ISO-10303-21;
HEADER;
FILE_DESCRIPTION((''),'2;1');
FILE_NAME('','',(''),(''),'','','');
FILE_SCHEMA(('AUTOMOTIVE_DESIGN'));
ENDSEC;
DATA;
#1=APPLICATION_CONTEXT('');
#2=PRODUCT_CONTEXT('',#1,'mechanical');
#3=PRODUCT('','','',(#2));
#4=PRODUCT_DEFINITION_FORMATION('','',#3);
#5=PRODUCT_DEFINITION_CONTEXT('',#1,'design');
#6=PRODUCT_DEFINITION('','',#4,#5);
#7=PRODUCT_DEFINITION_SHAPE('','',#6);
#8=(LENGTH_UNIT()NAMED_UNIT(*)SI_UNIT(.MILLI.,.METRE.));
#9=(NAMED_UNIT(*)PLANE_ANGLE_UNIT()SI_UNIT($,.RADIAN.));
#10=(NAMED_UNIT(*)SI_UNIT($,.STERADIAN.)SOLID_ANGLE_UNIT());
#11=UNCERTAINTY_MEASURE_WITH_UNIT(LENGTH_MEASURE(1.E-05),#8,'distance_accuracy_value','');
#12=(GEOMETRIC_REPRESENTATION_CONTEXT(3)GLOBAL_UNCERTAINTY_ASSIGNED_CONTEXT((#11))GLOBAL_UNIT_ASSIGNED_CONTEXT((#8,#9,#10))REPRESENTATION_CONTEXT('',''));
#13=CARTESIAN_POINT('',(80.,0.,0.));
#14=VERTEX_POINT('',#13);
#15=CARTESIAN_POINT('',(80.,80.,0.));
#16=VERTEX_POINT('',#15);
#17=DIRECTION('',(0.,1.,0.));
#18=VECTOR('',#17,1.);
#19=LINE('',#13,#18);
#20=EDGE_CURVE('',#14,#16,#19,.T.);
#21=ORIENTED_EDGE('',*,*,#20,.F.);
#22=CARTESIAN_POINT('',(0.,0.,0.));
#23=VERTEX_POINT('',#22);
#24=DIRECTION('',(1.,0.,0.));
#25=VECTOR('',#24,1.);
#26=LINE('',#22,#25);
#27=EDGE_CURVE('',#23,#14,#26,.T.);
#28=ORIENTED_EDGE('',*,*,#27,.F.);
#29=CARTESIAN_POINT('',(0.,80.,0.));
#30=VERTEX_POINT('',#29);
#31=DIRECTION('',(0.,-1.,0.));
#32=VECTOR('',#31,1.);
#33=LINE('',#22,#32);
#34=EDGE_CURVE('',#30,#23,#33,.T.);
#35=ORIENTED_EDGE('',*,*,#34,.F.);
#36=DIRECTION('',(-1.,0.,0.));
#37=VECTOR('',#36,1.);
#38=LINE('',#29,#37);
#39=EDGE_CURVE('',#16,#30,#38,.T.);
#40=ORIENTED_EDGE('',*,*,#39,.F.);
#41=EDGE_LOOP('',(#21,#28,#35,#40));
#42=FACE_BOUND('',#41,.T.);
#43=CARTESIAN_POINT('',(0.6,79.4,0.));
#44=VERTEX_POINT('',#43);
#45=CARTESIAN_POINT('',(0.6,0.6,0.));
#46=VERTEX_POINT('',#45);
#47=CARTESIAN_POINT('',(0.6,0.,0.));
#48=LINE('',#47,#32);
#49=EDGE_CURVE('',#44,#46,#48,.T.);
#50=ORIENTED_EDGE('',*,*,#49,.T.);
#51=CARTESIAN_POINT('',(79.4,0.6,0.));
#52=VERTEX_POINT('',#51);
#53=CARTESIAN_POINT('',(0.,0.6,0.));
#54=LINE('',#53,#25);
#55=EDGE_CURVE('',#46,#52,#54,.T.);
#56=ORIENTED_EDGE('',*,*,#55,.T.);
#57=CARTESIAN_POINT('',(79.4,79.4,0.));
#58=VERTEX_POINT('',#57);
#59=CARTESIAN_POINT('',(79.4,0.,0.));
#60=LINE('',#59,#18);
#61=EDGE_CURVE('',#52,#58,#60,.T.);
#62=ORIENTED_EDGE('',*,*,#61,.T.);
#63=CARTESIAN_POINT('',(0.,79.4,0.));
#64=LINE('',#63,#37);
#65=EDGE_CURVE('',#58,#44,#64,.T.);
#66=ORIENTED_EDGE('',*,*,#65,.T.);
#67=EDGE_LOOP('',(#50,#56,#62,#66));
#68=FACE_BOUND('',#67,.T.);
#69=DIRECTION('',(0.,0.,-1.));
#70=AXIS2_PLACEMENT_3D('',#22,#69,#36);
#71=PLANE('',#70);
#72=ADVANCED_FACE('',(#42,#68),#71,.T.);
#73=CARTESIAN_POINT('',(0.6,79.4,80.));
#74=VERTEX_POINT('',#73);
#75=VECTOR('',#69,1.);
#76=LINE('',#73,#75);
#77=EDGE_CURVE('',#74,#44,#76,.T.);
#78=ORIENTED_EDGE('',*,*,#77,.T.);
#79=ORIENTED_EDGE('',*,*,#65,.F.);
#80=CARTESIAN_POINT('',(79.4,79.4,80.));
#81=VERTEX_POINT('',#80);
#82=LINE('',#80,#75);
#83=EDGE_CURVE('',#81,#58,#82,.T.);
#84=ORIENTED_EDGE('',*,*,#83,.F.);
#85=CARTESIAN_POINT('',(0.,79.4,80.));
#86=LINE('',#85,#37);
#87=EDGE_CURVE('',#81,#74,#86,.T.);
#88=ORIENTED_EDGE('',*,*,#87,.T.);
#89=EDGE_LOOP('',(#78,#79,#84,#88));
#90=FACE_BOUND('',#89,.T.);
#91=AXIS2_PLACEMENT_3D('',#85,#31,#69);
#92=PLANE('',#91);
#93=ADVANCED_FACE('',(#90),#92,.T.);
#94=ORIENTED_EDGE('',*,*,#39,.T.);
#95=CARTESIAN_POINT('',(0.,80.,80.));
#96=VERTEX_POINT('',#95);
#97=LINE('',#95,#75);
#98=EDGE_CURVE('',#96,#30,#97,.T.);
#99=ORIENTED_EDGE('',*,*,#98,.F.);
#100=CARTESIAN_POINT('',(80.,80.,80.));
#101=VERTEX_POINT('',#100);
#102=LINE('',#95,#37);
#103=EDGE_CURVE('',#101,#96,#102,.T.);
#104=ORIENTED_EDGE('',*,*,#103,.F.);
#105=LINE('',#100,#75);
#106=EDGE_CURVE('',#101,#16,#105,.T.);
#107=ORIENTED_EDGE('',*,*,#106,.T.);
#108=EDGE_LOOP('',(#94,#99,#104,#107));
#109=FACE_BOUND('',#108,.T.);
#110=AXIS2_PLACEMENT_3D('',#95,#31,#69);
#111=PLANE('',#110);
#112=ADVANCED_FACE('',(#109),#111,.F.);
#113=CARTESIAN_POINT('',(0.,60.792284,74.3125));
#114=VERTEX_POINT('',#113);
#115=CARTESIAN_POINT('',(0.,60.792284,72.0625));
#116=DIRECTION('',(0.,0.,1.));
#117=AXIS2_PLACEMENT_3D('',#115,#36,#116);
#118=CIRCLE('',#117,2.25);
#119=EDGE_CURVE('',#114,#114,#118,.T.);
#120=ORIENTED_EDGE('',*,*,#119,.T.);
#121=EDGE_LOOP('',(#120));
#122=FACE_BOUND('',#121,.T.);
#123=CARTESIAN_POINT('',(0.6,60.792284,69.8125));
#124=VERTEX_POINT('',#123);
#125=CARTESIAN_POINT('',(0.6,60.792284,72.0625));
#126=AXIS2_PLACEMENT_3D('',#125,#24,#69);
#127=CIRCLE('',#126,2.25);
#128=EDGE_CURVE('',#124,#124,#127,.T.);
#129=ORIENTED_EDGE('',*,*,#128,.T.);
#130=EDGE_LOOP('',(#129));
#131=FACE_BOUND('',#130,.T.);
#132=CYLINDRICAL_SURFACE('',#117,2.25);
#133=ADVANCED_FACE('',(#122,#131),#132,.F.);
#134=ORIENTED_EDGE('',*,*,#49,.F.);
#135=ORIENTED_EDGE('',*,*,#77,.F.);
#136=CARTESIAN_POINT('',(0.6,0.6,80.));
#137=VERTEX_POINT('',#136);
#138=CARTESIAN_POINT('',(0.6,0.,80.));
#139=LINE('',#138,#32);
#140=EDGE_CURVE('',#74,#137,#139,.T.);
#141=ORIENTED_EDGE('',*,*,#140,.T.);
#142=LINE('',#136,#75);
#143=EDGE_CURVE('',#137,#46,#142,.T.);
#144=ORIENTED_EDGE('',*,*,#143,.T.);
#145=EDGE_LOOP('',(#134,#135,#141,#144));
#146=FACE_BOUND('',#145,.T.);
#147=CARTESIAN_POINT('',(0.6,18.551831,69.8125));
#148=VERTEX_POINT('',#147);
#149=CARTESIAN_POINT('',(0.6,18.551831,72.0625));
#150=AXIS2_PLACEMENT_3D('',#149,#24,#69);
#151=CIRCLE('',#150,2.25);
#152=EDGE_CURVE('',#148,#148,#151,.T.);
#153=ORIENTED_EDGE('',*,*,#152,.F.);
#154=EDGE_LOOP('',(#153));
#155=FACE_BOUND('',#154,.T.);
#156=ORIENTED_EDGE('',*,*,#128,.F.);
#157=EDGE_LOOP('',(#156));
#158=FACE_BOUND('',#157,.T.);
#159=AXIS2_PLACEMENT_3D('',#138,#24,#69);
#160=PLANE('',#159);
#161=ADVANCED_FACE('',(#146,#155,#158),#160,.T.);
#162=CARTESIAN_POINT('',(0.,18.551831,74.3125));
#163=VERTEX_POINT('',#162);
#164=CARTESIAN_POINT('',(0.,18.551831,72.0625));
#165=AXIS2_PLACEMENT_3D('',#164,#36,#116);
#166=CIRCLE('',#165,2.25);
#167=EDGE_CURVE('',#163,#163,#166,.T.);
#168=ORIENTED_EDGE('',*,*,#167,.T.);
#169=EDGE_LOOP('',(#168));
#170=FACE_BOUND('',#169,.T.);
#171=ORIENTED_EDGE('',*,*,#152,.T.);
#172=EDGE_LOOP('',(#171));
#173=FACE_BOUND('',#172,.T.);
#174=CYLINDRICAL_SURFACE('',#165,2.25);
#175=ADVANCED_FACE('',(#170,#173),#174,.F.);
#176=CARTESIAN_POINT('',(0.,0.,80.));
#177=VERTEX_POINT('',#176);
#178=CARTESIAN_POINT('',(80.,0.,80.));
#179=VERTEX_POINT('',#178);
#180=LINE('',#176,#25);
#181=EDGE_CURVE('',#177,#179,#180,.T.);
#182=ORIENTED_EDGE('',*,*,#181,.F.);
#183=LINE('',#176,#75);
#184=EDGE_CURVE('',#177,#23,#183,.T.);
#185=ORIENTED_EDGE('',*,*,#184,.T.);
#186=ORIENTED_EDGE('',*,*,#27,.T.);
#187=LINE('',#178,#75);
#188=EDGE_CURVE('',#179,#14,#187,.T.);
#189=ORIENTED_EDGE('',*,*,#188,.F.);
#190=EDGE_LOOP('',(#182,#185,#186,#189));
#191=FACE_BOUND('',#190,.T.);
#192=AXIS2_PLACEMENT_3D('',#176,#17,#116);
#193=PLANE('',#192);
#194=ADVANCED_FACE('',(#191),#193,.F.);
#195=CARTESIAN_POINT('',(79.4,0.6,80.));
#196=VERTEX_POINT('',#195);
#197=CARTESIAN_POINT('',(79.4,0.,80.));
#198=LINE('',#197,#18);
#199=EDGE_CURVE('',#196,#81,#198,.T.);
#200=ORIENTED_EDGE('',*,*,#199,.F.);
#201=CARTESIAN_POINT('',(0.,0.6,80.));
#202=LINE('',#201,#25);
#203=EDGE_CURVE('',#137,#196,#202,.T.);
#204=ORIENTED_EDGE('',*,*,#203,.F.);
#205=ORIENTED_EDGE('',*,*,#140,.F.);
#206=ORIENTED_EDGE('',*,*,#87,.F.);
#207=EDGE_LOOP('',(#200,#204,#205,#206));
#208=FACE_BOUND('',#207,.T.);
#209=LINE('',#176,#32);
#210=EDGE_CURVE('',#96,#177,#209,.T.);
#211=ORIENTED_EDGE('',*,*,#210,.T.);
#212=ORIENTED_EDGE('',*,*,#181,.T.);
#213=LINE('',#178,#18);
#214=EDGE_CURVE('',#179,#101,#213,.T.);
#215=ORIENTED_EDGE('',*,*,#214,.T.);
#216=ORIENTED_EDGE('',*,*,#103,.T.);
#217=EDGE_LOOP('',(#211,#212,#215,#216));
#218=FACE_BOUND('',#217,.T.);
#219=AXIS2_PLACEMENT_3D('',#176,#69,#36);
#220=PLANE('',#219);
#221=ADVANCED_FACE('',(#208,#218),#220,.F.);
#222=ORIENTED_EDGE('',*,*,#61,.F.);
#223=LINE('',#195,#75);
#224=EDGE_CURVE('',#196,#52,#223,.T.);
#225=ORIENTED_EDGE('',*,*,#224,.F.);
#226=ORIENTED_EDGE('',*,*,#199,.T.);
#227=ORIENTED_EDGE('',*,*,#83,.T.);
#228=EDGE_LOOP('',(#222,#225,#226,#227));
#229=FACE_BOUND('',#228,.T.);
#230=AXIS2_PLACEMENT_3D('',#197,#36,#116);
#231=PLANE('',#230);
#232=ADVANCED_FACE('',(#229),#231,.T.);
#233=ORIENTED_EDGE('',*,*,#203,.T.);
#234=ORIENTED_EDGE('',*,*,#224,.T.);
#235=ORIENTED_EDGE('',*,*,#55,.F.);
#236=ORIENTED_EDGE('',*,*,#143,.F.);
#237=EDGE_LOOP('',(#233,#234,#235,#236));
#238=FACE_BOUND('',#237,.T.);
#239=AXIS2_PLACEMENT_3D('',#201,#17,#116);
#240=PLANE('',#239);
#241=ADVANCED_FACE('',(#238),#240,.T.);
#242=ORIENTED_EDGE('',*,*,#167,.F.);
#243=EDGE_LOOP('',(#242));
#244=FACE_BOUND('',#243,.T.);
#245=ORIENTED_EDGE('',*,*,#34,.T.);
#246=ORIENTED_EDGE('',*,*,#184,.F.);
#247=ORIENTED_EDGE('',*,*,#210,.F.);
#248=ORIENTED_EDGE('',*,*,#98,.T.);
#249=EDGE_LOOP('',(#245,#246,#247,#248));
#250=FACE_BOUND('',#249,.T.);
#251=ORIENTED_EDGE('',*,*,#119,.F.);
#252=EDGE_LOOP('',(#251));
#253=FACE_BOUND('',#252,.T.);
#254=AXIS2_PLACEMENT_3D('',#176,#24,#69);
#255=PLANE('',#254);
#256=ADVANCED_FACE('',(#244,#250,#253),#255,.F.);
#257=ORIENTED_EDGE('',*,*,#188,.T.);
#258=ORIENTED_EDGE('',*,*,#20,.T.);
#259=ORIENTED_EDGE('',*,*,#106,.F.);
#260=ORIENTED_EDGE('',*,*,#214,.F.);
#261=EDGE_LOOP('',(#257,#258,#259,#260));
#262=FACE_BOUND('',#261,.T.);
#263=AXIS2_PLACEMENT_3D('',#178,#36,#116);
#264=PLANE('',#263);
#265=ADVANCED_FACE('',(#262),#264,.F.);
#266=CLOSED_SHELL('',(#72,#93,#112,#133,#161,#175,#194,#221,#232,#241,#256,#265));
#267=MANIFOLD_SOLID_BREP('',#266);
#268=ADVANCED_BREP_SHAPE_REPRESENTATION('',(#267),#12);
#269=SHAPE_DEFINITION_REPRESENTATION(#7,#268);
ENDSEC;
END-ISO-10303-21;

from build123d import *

# Parameters (mm, degrees)
CROQUIS1_W                       = 80
CROQUIS1_H                       = 80
SALIENTE_EXTRUIR1_DEPTH          = 80
VACIADO1_T                       = -0.6
TALADRO_DE_MARGEN_PARA_M41_D     = 4.5
TALADRO_DE_MARGEN_PARA_M41_DEPTH = 5


with BuildPart() as part:
    # Croquis1 → Saliente-Extruir1 (new body)
    with BuildSketch(Plane.XY):
        with Locations((40, 40)):
            Rectangle(CROQUIS1_W, CROQUIS1_H)
    extrude(amount=SALIENTE_EXTRUIR1_DEPTH)

    # Vaciado1
    vaciado1_openings = [part.faces().sort_by_distance(p)[0] for p in [
        (40, 40, 80),
        (40, 40, 0),
    ]]
    offset(amount=VACIADO1_T, openings=vaciado1_openings, kind=Kind.INTERSECTION)

    # Taladro de margen para M41
    with Locations(Plane(origin=(0, -79.637122061, 0), x_dir=(0, 1, 0), z_dir=(-1, 0, 0))):
        with Locations((98.1889532, -72.0625), (140.429406251, -72.0625)):
            Hole(TALADRO_DE_MARGEN_PARA_M41_D / 2, depth=TALADRO_DE_MARGEN_PARA_M41_DEPTH)


solid = part.part
